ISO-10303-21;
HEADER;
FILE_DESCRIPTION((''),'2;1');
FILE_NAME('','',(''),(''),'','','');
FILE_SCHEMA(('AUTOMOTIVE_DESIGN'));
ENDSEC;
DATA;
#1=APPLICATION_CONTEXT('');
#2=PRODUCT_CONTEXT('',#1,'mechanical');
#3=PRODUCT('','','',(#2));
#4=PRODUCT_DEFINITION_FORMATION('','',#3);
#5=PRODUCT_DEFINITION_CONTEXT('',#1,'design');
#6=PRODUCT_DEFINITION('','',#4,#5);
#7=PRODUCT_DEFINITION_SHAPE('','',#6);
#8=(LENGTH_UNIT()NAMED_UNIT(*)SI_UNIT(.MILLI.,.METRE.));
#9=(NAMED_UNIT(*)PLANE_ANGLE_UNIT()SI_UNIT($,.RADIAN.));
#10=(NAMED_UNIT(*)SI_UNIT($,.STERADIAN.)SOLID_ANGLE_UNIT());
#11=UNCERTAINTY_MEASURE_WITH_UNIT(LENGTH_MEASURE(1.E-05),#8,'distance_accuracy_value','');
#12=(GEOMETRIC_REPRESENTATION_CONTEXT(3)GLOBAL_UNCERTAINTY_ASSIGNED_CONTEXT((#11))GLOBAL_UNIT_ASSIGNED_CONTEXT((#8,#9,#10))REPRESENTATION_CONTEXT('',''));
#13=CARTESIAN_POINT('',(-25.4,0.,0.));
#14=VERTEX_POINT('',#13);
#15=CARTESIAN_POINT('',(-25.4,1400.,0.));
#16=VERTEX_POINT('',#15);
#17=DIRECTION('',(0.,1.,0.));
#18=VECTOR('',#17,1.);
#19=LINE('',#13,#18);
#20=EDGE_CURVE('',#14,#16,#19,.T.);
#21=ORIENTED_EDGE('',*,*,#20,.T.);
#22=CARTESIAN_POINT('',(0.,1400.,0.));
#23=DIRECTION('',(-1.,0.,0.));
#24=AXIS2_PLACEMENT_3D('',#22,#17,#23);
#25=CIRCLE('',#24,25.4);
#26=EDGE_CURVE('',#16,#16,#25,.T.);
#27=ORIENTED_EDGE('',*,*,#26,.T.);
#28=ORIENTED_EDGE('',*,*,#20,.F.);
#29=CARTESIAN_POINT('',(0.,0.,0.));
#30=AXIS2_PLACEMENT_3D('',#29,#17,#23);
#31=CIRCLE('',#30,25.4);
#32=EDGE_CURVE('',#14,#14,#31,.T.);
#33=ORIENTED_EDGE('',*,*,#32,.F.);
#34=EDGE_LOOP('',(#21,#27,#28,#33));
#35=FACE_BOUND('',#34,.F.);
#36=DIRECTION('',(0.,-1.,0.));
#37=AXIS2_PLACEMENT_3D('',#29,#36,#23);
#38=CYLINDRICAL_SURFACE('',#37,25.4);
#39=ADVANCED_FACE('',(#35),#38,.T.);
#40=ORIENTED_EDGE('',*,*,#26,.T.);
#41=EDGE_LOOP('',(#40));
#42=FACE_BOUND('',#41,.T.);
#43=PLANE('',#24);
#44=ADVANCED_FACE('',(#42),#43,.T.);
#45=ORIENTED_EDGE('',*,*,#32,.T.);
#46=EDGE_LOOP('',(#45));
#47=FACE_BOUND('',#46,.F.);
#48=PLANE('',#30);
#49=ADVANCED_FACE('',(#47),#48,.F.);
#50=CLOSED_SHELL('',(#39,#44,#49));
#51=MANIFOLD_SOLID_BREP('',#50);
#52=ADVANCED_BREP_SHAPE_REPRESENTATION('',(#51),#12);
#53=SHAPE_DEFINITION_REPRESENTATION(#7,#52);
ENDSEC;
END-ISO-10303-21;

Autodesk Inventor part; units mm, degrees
ref_plane "YZ Plane" through (0, 0, 0) normal (1, 0, 0) x (0, 1, 0)
ref_plane "XZ Plane" through (0, 0, 0) normal (0, 1, 0) x (-1, 0, 0)
ref_plane "XY Plane" through (0, 0, 0) normal (0, 0, 1) x (1, 0, 0)
sketch "Sketch1" plane through (0, 0, 0) normal (0, 1, 0) x (-1, 0, 0)
  circle A0 centre (0, 0) radius 25.4
  dimension "d0" = 50.8
extrude "Extrusion1" add sketch "Sketch1" along normal blind 1400
properties part number "Tube"
